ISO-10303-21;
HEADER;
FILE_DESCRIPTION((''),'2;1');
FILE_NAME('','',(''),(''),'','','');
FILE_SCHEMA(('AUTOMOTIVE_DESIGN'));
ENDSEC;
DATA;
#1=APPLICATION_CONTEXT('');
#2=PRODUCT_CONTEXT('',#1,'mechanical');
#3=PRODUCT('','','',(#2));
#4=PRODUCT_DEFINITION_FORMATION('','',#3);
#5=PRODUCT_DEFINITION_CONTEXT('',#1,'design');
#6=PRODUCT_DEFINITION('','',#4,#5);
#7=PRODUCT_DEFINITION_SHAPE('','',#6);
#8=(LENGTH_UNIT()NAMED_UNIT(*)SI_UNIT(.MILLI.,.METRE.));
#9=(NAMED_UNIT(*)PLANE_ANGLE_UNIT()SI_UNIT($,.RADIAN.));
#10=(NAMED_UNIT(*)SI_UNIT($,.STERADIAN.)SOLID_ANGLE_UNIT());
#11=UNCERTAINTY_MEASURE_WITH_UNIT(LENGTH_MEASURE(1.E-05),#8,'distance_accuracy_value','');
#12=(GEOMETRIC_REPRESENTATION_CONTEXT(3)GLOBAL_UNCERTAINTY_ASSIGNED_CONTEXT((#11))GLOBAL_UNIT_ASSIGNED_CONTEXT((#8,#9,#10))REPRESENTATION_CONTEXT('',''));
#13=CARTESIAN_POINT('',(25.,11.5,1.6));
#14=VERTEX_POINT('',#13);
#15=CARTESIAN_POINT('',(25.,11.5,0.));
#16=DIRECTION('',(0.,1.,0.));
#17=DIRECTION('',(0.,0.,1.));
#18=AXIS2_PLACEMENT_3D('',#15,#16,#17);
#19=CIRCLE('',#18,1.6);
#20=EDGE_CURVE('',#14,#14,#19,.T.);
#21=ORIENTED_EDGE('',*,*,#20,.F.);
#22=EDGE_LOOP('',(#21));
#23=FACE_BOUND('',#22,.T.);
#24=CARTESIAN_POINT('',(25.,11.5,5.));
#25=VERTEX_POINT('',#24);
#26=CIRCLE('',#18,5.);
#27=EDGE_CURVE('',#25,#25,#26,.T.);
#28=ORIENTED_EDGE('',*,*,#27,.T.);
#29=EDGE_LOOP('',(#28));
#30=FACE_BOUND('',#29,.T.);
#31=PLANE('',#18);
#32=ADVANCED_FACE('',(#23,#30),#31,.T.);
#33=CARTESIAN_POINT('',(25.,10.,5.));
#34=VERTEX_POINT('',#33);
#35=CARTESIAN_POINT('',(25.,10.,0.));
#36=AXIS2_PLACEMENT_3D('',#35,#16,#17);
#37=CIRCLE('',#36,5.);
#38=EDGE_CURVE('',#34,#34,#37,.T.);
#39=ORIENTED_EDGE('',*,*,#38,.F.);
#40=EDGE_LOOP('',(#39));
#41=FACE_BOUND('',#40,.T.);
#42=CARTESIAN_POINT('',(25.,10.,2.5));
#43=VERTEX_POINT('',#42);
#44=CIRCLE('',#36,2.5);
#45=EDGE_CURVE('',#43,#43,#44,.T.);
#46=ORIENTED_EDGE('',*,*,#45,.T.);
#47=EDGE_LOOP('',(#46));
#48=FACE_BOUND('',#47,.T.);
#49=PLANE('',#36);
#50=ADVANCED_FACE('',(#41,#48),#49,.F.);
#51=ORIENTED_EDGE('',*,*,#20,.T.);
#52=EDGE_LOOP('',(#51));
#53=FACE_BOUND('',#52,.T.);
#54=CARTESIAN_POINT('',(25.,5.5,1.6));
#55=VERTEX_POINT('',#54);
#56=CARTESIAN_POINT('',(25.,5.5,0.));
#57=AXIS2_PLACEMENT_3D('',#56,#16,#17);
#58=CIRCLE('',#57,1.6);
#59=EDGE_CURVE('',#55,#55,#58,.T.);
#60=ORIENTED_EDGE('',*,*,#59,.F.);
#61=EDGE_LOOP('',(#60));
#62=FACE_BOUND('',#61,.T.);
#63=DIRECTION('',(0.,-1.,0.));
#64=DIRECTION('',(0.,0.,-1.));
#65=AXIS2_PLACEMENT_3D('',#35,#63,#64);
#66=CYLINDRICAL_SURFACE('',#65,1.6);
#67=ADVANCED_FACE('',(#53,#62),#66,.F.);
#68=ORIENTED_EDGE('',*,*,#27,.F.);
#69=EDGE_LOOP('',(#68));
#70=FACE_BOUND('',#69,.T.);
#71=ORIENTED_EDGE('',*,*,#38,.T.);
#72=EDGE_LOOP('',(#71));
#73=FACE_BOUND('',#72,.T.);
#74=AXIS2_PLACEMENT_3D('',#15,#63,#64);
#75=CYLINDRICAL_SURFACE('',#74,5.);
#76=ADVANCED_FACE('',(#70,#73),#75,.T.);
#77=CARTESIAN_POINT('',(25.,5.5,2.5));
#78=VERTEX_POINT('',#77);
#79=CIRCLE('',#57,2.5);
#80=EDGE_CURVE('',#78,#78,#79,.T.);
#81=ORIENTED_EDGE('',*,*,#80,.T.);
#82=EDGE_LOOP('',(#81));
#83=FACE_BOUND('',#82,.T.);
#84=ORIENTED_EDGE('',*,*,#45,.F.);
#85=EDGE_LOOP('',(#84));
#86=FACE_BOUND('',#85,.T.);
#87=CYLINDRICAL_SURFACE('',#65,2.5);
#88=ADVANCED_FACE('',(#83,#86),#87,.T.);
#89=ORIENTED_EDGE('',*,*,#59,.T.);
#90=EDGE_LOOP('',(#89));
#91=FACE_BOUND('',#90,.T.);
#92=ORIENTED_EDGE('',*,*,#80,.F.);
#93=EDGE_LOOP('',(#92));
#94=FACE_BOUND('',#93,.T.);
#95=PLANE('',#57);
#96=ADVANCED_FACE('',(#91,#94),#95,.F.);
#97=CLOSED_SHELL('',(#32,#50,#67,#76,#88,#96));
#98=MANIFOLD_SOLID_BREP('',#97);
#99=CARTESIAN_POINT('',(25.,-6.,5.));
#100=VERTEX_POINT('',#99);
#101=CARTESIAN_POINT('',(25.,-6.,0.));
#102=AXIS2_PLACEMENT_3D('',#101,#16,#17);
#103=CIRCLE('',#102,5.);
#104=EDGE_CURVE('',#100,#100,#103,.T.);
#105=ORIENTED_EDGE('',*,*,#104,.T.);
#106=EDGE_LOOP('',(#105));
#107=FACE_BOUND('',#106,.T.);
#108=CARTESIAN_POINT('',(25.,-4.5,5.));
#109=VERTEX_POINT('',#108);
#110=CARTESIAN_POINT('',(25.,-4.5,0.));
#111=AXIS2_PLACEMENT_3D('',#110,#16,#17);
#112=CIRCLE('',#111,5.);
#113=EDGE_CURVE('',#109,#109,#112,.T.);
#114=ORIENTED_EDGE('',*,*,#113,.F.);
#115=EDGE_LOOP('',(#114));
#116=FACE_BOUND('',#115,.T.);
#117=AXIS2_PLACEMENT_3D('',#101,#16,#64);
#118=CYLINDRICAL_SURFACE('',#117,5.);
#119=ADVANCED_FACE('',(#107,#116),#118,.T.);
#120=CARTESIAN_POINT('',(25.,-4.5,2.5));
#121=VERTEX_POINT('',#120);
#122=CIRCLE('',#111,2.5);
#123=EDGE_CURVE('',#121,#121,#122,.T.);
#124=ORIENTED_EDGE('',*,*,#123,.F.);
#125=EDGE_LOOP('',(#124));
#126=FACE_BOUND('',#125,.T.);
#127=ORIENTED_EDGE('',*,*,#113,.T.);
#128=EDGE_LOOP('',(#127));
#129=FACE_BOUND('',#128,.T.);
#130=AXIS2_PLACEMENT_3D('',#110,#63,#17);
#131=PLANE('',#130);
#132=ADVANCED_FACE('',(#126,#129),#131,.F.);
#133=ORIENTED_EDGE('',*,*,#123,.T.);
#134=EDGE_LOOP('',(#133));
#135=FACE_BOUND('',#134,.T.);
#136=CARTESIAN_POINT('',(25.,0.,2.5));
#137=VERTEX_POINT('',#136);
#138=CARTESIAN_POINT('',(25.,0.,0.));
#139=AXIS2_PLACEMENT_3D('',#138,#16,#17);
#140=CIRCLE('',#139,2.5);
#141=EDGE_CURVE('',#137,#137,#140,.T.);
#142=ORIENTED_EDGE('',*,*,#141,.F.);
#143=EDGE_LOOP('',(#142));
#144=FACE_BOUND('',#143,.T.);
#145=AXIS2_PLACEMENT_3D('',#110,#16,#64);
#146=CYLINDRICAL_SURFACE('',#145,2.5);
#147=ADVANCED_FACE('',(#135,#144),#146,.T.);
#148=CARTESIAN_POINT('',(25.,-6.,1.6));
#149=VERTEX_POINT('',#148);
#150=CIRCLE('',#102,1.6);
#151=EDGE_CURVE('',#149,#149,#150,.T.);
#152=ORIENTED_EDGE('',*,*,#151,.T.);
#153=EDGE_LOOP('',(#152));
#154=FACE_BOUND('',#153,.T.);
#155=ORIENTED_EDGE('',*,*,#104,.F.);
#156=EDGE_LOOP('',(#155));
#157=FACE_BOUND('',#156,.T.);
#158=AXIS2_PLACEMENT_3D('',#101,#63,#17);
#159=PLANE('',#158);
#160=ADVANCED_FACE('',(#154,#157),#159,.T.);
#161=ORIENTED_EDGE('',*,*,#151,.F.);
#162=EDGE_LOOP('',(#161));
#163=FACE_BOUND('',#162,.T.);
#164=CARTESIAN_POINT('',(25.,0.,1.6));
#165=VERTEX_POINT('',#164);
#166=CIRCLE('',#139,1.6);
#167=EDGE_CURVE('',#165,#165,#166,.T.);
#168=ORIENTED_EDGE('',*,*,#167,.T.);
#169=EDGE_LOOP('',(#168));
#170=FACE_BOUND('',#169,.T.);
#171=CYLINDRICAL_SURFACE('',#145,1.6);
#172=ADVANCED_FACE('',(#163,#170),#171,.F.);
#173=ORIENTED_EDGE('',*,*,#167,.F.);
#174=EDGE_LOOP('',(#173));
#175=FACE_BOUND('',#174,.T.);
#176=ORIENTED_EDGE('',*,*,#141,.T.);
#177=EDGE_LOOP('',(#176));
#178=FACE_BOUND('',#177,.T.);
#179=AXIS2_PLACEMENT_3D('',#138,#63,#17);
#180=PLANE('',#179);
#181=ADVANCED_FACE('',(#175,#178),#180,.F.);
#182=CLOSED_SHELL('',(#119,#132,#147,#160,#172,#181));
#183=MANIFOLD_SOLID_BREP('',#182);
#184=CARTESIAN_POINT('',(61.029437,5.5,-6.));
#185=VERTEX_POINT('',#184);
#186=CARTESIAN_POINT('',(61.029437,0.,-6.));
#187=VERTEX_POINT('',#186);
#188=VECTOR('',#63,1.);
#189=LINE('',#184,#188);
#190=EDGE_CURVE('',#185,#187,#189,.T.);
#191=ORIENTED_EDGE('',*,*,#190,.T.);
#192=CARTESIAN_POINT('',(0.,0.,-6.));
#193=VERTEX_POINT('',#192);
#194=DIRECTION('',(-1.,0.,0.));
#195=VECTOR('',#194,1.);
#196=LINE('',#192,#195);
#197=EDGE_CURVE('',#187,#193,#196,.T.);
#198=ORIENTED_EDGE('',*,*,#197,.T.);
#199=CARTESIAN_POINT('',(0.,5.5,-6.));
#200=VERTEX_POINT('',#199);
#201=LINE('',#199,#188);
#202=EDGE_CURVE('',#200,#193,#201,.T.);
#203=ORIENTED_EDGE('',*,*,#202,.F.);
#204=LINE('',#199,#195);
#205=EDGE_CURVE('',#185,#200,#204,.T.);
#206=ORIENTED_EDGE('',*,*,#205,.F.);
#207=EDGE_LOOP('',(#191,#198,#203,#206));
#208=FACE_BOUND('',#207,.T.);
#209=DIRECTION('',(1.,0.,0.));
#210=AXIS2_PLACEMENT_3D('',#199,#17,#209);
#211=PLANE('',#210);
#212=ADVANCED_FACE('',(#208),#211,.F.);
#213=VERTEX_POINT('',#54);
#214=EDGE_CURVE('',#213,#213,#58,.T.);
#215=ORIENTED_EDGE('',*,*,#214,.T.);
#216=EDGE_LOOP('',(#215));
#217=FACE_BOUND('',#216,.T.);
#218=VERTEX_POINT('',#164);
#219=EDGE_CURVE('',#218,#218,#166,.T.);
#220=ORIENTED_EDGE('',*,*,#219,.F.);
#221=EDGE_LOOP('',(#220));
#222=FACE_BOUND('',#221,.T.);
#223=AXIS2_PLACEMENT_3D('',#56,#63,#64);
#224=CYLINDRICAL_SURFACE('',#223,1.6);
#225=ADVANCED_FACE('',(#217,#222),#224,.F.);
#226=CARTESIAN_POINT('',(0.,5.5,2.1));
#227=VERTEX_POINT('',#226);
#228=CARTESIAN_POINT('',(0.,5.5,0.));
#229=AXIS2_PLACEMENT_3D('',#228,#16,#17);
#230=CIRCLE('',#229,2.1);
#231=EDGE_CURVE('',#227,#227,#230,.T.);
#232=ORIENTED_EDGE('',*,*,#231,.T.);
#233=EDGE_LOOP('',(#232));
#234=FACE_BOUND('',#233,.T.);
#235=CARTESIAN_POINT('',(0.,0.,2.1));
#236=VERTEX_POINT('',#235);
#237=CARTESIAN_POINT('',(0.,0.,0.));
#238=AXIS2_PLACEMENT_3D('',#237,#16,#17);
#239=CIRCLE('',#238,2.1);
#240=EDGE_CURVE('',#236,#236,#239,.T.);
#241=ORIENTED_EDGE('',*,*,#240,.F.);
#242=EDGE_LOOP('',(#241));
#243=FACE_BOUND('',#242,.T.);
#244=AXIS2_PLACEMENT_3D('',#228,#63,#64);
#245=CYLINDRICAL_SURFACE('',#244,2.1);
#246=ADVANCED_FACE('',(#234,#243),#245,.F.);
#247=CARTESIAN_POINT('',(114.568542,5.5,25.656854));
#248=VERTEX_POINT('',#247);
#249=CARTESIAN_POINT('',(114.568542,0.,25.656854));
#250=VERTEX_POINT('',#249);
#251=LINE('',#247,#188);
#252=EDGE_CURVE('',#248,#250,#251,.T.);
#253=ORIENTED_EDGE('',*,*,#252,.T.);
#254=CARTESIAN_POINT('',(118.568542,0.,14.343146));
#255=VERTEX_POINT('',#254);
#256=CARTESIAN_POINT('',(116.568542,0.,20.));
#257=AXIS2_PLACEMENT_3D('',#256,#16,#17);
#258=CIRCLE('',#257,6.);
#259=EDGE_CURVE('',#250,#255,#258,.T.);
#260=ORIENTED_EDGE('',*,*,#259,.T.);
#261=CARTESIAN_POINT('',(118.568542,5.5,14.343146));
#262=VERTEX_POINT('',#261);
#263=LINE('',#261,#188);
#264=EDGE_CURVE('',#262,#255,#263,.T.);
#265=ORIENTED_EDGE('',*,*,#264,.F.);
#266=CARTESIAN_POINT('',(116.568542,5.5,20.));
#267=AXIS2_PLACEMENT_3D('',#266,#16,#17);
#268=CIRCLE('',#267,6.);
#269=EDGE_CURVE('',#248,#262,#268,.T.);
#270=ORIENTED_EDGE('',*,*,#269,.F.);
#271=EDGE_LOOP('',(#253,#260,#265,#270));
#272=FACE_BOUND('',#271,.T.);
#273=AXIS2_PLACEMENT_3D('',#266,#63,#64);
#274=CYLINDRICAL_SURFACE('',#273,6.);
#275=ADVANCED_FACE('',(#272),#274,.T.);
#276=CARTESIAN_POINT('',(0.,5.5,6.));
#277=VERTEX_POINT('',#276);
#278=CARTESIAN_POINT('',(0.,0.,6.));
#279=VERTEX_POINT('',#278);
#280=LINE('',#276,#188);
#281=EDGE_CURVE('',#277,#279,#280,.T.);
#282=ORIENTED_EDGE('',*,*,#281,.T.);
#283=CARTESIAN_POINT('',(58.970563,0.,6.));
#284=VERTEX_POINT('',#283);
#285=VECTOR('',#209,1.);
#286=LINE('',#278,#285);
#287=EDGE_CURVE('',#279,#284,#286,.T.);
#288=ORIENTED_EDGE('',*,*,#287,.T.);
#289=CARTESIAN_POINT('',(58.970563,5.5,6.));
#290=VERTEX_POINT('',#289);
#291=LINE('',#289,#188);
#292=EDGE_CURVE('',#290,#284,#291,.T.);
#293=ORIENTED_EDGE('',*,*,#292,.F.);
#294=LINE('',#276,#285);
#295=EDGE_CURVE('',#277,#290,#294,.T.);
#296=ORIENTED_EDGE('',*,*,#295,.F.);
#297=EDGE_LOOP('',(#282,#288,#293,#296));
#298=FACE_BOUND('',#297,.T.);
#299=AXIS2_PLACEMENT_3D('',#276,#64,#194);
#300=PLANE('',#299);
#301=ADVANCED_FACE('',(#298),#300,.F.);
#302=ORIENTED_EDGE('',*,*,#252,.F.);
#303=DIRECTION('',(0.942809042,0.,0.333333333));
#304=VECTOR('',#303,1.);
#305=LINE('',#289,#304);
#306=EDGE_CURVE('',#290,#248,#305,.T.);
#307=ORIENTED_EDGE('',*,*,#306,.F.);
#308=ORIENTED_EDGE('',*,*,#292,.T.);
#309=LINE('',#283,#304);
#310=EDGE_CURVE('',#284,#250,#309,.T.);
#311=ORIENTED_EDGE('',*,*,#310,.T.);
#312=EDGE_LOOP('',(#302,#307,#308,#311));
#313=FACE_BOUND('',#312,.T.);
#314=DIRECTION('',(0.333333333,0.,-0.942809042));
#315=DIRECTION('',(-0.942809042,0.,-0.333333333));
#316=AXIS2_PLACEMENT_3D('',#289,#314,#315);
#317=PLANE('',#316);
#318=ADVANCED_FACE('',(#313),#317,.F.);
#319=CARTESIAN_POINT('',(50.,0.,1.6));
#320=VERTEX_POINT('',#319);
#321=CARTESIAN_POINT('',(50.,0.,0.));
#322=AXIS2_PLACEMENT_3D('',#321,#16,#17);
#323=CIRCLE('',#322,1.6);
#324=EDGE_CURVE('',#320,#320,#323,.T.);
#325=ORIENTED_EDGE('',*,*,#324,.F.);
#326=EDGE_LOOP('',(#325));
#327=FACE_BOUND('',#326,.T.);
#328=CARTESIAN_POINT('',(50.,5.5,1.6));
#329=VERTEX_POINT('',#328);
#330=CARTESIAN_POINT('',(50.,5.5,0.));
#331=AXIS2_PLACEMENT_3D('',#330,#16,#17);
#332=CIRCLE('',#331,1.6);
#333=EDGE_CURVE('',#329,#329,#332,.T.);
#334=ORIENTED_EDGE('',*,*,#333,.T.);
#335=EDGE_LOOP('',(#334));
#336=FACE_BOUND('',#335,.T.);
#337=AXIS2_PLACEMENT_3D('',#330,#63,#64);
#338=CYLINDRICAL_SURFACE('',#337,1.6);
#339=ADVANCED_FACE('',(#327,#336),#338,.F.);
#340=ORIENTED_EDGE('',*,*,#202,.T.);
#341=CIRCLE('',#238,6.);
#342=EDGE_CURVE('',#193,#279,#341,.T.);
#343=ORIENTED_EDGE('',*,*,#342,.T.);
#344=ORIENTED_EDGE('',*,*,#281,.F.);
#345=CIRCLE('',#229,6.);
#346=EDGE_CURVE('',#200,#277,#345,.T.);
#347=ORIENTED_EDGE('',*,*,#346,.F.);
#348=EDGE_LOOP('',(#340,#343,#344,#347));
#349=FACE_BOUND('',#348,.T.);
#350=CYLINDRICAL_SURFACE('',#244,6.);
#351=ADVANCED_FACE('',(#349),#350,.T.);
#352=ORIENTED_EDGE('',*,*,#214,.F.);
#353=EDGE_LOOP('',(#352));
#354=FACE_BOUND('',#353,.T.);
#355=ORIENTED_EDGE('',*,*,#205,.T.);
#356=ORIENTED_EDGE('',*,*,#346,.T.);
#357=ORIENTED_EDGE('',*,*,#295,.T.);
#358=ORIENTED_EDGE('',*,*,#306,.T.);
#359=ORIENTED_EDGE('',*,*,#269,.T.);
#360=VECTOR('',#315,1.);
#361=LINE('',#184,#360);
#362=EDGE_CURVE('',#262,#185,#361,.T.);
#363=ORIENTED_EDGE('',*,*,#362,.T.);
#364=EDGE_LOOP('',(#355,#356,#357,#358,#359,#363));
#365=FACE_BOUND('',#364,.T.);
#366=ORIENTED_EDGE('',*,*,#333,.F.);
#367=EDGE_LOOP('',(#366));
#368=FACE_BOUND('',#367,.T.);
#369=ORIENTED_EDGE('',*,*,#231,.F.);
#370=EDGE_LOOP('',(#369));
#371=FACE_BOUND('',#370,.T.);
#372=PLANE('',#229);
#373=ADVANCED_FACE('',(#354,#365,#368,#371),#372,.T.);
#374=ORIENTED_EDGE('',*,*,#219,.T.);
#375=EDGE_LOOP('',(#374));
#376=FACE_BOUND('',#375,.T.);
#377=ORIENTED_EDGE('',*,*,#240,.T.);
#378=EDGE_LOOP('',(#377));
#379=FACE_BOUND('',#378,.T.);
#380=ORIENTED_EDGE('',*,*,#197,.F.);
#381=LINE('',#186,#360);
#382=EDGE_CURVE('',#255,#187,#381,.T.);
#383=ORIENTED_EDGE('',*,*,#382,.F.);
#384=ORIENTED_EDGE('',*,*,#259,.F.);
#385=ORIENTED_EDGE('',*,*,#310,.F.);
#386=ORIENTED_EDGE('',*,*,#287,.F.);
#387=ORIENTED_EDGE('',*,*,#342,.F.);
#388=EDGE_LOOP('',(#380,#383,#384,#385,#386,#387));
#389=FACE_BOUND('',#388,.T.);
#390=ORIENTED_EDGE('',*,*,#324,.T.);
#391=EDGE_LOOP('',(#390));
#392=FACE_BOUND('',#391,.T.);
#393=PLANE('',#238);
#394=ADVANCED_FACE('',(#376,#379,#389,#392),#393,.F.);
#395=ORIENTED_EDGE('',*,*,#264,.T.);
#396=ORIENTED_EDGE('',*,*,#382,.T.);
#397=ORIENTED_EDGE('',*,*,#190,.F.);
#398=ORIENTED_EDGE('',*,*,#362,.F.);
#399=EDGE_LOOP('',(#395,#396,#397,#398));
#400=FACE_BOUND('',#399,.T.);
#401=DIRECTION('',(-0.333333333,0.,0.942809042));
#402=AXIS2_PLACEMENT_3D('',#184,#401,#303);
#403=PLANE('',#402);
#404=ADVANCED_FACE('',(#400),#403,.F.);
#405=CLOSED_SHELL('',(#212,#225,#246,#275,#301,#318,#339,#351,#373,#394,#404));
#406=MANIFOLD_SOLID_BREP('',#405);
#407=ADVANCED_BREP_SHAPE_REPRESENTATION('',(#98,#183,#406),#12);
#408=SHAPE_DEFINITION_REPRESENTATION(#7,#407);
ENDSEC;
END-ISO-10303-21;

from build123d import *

# Parameters (mm, degrees)
SKETCH_1_R      = 2.1
SKETCH_1_R_2    = 1.6
EXTRUDE_1_DEPTH = 5.5
SKETCH_2_R      = 2.5
SKETCH_2_R_2    = 1.6
EXTRUDE_2_DEPTH = 4.5
SKETCH_3_R      = 5
SKETCH_3_R_2    = 1.6
EXTRUDE_4_DEPTH = 1.5


with BuildPart() as part:
    # ｽｹｯﾁ1 → ﾎﾞｽ - 押し出し1 (new body)
    with BuildSketch(Plane(origin=(0, 0, 0), x_dir=(1, 0, 0), z_dir=(0, 1, 0))):
        with BuildLine():
            Line((0, 6), (61.029437252, 6))
            Line((61.029437252, 6), (118.568542495, -14.343145751))
            ThreePointArc((118.568542495, -14.343145751), (122.225396744, -22), (114.568542495, -25.656854249))
            Line((114.568542495, -25.656854249), (58.970562748, -6))
            Line((58.970562748, -6), (0, -6))
            ThreePointArc((0, -6), (-6, 0), (0, 6))
        make_face()
        with Locations(Location((0, 0, 0), (0, 0, 270))):
            Circle(SKETCH_1_R, mode=Mode.SUBTRACT)
        with Locations(Location((50, 0, 0), (0, 0, 270))):
            Circle(SKETCH_1_R_2, mode=Mode.SUBTRACT)
        with Locations(Location((25, 0, 0), (0, 0, 270))):
            Circle(SKETCH_1_R_2, mode=Mode.SUBTRACT)
    extrude(amount=EXTRUDE_1_DEPTH)


with BuildPart() as body_2:
    # ｽｹｯﾁ2 → ﾎﾞｽ - 押し出し2 (new body)
    with BuildSketch(Plane(origin=(0, 5.5, 0), x_dir=(1, 0, 0), z_dir=(0, 1, 0))):
        with Locations(Location((25, 0, 0), (0, 0, 270))):
            Circle(SKETCH_2_R)
        with Locations(Location((25, 0, 0), (0, 0, 270))):
            Circle(SKETCH_2_R_2, mode=Mode.SUBTRACT)
    extrude(amount=EXTRUDE_2_DEPTH)

    # ｽｹｯﾁ3 → ﾎﾞｽ - 押し出し4 (add)
    with BuildSketch(Plane(origin=(0, 10, 0), x_dir=(1, 0, 0), z_dir=(0, 1, 0))):
        with Locations(Location((25, 0, 0), (0, 0, 270))):
            Circle(SKETCH_3_R)
        with Locations(Location((25, 0, 0), (0, 0, 270))):
            Circle(SKETCH_3_R_2, mode=Mode.SUBTRACT)
    extrude(amount=EXTRUDE_4_DEPTH)


with BuildPart() as body_3:
    # ﾐﾗｰ1: mirrored copy
    add(body_2.part.mirror(Plane.ZX.offset(2.75)))


solid = Compound([part.part, body_2.part, body_3.part])
